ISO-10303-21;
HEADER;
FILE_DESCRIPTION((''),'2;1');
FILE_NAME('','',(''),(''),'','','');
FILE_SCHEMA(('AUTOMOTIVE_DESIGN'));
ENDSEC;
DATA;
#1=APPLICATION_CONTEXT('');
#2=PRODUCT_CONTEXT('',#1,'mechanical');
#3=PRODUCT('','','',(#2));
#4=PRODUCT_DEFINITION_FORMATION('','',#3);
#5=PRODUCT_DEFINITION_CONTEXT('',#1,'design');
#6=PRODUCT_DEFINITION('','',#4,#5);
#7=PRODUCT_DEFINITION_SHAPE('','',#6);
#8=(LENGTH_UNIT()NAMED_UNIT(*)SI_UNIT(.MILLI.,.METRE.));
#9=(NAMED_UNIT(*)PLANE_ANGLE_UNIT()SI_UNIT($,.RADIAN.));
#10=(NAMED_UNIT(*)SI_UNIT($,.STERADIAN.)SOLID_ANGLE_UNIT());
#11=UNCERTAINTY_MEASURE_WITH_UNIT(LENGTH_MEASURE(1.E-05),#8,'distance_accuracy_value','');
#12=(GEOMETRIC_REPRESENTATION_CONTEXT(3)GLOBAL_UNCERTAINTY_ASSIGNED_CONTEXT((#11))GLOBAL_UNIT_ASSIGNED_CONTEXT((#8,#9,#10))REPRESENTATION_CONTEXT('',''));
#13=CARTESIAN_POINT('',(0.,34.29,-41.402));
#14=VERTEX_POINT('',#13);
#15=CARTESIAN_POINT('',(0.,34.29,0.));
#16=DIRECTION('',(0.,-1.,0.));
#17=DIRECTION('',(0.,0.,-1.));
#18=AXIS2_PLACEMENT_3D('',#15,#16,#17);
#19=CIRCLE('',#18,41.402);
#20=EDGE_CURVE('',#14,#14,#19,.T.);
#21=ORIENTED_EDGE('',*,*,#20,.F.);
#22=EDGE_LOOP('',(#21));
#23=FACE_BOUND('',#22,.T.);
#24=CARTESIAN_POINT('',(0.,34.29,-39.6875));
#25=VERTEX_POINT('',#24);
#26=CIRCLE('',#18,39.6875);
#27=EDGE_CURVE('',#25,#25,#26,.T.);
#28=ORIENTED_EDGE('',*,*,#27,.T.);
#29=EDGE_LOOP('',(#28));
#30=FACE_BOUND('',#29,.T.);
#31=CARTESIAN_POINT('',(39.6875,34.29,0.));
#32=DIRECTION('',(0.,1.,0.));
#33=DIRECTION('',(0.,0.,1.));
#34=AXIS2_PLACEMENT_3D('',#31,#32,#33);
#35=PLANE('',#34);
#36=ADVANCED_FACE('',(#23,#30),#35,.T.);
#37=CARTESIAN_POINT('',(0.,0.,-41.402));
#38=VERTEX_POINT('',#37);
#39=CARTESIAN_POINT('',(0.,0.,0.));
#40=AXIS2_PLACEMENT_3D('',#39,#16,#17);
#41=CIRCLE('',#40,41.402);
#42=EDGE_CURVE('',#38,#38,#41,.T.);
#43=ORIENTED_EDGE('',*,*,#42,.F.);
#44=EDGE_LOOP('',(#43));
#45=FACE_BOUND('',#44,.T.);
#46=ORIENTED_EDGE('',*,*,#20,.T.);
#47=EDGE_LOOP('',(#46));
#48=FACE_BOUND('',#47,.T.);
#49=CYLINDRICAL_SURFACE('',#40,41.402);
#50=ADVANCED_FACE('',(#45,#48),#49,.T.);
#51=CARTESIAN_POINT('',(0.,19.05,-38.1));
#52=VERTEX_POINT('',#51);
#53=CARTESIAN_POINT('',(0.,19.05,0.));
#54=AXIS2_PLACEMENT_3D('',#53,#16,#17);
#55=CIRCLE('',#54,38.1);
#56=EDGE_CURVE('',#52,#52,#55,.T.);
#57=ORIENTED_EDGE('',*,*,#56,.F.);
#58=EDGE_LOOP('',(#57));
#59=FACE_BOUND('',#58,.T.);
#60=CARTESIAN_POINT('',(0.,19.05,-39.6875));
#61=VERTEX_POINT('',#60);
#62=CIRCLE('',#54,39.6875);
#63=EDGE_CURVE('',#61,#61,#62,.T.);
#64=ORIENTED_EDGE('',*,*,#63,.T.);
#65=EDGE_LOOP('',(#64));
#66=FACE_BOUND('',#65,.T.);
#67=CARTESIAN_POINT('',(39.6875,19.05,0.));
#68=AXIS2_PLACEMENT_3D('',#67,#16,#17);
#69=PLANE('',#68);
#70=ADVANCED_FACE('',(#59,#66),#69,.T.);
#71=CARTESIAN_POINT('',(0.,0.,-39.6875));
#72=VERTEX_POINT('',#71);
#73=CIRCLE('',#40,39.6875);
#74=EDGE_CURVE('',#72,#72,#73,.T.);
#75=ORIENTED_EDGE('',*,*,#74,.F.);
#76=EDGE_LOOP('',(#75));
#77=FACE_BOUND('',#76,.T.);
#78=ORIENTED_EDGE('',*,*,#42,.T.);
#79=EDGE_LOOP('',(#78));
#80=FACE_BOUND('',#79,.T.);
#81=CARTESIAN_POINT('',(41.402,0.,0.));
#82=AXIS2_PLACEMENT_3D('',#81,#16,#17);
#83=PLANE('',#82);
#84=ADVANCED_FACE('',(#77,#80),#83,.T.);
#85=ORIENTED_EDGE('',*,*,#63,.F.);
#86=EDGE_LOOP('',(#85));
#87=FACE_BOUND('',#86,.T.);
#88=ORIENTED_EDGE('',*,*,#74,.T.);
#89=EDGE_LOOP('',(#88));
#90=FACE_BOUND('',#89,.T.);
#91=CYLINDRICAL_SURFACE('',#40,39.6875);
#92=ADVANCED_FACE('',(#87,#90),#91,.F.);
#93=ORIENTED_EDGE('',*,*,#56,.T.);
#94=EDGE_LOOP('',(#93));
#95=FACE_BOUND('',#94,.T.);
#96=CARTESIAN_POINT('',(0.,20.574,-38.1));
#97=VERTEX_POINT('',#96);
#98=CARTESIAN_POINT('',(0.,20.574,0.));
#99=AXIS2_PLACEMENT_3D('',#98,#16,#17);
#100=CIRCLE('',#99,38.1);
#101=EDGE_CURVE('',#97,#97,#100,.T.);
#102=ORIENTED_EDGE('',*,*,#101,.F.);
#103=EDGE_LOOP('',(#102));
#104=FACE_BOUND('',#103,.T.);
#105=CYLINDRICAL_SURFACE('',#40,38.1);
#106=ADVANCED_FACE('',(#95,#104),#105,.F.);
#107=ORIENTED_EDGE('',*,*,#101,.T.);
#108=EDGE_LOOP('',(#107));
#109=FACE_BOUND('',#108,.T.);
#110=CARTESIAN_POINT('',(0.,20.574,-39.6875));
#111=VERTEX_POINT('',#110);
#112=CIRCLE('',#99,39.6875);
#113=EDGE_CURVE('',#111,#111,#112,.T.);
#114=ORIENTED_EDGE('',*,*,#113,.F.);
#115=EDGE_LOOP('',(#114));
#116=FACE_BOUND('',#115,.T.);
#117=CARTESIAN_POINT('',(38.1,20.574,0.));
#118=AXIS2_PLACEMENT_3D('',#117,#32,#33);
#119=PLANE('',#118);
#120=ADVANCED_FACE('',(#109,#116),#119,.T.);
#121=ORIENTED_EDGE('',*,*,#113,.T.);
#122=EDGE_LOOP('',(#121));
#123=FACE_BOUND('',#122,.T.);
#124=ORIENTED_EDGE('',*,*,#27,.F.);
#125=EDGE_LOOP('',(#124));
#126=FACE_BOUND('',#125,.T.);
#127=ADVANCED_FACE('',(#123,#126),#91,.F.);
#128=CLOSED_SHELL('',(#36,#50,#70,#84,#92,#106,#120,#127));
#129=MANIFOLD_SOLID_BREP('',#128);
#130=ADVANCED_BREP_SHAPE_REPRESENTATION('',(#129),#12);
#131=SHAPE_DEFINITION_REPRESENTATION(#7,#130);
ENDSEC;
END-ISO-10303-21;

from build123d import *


with BuildPart() as part:
    # Sketch2 → Revolve1 (revolve)
    with BuildSketch(Plane.XY):
        Polygon((39.6875, 0), (39.6875, 19.05), (38.1, 19.05), (38.1, 20.574), (39.6875, 20.574), (39.6875, 34.29), (41.402, 34.29), (41.402, 0), align=None)
    revolve(axis=Axis((0, 0, 0), (0, 1, 0)))


solid = part.part
